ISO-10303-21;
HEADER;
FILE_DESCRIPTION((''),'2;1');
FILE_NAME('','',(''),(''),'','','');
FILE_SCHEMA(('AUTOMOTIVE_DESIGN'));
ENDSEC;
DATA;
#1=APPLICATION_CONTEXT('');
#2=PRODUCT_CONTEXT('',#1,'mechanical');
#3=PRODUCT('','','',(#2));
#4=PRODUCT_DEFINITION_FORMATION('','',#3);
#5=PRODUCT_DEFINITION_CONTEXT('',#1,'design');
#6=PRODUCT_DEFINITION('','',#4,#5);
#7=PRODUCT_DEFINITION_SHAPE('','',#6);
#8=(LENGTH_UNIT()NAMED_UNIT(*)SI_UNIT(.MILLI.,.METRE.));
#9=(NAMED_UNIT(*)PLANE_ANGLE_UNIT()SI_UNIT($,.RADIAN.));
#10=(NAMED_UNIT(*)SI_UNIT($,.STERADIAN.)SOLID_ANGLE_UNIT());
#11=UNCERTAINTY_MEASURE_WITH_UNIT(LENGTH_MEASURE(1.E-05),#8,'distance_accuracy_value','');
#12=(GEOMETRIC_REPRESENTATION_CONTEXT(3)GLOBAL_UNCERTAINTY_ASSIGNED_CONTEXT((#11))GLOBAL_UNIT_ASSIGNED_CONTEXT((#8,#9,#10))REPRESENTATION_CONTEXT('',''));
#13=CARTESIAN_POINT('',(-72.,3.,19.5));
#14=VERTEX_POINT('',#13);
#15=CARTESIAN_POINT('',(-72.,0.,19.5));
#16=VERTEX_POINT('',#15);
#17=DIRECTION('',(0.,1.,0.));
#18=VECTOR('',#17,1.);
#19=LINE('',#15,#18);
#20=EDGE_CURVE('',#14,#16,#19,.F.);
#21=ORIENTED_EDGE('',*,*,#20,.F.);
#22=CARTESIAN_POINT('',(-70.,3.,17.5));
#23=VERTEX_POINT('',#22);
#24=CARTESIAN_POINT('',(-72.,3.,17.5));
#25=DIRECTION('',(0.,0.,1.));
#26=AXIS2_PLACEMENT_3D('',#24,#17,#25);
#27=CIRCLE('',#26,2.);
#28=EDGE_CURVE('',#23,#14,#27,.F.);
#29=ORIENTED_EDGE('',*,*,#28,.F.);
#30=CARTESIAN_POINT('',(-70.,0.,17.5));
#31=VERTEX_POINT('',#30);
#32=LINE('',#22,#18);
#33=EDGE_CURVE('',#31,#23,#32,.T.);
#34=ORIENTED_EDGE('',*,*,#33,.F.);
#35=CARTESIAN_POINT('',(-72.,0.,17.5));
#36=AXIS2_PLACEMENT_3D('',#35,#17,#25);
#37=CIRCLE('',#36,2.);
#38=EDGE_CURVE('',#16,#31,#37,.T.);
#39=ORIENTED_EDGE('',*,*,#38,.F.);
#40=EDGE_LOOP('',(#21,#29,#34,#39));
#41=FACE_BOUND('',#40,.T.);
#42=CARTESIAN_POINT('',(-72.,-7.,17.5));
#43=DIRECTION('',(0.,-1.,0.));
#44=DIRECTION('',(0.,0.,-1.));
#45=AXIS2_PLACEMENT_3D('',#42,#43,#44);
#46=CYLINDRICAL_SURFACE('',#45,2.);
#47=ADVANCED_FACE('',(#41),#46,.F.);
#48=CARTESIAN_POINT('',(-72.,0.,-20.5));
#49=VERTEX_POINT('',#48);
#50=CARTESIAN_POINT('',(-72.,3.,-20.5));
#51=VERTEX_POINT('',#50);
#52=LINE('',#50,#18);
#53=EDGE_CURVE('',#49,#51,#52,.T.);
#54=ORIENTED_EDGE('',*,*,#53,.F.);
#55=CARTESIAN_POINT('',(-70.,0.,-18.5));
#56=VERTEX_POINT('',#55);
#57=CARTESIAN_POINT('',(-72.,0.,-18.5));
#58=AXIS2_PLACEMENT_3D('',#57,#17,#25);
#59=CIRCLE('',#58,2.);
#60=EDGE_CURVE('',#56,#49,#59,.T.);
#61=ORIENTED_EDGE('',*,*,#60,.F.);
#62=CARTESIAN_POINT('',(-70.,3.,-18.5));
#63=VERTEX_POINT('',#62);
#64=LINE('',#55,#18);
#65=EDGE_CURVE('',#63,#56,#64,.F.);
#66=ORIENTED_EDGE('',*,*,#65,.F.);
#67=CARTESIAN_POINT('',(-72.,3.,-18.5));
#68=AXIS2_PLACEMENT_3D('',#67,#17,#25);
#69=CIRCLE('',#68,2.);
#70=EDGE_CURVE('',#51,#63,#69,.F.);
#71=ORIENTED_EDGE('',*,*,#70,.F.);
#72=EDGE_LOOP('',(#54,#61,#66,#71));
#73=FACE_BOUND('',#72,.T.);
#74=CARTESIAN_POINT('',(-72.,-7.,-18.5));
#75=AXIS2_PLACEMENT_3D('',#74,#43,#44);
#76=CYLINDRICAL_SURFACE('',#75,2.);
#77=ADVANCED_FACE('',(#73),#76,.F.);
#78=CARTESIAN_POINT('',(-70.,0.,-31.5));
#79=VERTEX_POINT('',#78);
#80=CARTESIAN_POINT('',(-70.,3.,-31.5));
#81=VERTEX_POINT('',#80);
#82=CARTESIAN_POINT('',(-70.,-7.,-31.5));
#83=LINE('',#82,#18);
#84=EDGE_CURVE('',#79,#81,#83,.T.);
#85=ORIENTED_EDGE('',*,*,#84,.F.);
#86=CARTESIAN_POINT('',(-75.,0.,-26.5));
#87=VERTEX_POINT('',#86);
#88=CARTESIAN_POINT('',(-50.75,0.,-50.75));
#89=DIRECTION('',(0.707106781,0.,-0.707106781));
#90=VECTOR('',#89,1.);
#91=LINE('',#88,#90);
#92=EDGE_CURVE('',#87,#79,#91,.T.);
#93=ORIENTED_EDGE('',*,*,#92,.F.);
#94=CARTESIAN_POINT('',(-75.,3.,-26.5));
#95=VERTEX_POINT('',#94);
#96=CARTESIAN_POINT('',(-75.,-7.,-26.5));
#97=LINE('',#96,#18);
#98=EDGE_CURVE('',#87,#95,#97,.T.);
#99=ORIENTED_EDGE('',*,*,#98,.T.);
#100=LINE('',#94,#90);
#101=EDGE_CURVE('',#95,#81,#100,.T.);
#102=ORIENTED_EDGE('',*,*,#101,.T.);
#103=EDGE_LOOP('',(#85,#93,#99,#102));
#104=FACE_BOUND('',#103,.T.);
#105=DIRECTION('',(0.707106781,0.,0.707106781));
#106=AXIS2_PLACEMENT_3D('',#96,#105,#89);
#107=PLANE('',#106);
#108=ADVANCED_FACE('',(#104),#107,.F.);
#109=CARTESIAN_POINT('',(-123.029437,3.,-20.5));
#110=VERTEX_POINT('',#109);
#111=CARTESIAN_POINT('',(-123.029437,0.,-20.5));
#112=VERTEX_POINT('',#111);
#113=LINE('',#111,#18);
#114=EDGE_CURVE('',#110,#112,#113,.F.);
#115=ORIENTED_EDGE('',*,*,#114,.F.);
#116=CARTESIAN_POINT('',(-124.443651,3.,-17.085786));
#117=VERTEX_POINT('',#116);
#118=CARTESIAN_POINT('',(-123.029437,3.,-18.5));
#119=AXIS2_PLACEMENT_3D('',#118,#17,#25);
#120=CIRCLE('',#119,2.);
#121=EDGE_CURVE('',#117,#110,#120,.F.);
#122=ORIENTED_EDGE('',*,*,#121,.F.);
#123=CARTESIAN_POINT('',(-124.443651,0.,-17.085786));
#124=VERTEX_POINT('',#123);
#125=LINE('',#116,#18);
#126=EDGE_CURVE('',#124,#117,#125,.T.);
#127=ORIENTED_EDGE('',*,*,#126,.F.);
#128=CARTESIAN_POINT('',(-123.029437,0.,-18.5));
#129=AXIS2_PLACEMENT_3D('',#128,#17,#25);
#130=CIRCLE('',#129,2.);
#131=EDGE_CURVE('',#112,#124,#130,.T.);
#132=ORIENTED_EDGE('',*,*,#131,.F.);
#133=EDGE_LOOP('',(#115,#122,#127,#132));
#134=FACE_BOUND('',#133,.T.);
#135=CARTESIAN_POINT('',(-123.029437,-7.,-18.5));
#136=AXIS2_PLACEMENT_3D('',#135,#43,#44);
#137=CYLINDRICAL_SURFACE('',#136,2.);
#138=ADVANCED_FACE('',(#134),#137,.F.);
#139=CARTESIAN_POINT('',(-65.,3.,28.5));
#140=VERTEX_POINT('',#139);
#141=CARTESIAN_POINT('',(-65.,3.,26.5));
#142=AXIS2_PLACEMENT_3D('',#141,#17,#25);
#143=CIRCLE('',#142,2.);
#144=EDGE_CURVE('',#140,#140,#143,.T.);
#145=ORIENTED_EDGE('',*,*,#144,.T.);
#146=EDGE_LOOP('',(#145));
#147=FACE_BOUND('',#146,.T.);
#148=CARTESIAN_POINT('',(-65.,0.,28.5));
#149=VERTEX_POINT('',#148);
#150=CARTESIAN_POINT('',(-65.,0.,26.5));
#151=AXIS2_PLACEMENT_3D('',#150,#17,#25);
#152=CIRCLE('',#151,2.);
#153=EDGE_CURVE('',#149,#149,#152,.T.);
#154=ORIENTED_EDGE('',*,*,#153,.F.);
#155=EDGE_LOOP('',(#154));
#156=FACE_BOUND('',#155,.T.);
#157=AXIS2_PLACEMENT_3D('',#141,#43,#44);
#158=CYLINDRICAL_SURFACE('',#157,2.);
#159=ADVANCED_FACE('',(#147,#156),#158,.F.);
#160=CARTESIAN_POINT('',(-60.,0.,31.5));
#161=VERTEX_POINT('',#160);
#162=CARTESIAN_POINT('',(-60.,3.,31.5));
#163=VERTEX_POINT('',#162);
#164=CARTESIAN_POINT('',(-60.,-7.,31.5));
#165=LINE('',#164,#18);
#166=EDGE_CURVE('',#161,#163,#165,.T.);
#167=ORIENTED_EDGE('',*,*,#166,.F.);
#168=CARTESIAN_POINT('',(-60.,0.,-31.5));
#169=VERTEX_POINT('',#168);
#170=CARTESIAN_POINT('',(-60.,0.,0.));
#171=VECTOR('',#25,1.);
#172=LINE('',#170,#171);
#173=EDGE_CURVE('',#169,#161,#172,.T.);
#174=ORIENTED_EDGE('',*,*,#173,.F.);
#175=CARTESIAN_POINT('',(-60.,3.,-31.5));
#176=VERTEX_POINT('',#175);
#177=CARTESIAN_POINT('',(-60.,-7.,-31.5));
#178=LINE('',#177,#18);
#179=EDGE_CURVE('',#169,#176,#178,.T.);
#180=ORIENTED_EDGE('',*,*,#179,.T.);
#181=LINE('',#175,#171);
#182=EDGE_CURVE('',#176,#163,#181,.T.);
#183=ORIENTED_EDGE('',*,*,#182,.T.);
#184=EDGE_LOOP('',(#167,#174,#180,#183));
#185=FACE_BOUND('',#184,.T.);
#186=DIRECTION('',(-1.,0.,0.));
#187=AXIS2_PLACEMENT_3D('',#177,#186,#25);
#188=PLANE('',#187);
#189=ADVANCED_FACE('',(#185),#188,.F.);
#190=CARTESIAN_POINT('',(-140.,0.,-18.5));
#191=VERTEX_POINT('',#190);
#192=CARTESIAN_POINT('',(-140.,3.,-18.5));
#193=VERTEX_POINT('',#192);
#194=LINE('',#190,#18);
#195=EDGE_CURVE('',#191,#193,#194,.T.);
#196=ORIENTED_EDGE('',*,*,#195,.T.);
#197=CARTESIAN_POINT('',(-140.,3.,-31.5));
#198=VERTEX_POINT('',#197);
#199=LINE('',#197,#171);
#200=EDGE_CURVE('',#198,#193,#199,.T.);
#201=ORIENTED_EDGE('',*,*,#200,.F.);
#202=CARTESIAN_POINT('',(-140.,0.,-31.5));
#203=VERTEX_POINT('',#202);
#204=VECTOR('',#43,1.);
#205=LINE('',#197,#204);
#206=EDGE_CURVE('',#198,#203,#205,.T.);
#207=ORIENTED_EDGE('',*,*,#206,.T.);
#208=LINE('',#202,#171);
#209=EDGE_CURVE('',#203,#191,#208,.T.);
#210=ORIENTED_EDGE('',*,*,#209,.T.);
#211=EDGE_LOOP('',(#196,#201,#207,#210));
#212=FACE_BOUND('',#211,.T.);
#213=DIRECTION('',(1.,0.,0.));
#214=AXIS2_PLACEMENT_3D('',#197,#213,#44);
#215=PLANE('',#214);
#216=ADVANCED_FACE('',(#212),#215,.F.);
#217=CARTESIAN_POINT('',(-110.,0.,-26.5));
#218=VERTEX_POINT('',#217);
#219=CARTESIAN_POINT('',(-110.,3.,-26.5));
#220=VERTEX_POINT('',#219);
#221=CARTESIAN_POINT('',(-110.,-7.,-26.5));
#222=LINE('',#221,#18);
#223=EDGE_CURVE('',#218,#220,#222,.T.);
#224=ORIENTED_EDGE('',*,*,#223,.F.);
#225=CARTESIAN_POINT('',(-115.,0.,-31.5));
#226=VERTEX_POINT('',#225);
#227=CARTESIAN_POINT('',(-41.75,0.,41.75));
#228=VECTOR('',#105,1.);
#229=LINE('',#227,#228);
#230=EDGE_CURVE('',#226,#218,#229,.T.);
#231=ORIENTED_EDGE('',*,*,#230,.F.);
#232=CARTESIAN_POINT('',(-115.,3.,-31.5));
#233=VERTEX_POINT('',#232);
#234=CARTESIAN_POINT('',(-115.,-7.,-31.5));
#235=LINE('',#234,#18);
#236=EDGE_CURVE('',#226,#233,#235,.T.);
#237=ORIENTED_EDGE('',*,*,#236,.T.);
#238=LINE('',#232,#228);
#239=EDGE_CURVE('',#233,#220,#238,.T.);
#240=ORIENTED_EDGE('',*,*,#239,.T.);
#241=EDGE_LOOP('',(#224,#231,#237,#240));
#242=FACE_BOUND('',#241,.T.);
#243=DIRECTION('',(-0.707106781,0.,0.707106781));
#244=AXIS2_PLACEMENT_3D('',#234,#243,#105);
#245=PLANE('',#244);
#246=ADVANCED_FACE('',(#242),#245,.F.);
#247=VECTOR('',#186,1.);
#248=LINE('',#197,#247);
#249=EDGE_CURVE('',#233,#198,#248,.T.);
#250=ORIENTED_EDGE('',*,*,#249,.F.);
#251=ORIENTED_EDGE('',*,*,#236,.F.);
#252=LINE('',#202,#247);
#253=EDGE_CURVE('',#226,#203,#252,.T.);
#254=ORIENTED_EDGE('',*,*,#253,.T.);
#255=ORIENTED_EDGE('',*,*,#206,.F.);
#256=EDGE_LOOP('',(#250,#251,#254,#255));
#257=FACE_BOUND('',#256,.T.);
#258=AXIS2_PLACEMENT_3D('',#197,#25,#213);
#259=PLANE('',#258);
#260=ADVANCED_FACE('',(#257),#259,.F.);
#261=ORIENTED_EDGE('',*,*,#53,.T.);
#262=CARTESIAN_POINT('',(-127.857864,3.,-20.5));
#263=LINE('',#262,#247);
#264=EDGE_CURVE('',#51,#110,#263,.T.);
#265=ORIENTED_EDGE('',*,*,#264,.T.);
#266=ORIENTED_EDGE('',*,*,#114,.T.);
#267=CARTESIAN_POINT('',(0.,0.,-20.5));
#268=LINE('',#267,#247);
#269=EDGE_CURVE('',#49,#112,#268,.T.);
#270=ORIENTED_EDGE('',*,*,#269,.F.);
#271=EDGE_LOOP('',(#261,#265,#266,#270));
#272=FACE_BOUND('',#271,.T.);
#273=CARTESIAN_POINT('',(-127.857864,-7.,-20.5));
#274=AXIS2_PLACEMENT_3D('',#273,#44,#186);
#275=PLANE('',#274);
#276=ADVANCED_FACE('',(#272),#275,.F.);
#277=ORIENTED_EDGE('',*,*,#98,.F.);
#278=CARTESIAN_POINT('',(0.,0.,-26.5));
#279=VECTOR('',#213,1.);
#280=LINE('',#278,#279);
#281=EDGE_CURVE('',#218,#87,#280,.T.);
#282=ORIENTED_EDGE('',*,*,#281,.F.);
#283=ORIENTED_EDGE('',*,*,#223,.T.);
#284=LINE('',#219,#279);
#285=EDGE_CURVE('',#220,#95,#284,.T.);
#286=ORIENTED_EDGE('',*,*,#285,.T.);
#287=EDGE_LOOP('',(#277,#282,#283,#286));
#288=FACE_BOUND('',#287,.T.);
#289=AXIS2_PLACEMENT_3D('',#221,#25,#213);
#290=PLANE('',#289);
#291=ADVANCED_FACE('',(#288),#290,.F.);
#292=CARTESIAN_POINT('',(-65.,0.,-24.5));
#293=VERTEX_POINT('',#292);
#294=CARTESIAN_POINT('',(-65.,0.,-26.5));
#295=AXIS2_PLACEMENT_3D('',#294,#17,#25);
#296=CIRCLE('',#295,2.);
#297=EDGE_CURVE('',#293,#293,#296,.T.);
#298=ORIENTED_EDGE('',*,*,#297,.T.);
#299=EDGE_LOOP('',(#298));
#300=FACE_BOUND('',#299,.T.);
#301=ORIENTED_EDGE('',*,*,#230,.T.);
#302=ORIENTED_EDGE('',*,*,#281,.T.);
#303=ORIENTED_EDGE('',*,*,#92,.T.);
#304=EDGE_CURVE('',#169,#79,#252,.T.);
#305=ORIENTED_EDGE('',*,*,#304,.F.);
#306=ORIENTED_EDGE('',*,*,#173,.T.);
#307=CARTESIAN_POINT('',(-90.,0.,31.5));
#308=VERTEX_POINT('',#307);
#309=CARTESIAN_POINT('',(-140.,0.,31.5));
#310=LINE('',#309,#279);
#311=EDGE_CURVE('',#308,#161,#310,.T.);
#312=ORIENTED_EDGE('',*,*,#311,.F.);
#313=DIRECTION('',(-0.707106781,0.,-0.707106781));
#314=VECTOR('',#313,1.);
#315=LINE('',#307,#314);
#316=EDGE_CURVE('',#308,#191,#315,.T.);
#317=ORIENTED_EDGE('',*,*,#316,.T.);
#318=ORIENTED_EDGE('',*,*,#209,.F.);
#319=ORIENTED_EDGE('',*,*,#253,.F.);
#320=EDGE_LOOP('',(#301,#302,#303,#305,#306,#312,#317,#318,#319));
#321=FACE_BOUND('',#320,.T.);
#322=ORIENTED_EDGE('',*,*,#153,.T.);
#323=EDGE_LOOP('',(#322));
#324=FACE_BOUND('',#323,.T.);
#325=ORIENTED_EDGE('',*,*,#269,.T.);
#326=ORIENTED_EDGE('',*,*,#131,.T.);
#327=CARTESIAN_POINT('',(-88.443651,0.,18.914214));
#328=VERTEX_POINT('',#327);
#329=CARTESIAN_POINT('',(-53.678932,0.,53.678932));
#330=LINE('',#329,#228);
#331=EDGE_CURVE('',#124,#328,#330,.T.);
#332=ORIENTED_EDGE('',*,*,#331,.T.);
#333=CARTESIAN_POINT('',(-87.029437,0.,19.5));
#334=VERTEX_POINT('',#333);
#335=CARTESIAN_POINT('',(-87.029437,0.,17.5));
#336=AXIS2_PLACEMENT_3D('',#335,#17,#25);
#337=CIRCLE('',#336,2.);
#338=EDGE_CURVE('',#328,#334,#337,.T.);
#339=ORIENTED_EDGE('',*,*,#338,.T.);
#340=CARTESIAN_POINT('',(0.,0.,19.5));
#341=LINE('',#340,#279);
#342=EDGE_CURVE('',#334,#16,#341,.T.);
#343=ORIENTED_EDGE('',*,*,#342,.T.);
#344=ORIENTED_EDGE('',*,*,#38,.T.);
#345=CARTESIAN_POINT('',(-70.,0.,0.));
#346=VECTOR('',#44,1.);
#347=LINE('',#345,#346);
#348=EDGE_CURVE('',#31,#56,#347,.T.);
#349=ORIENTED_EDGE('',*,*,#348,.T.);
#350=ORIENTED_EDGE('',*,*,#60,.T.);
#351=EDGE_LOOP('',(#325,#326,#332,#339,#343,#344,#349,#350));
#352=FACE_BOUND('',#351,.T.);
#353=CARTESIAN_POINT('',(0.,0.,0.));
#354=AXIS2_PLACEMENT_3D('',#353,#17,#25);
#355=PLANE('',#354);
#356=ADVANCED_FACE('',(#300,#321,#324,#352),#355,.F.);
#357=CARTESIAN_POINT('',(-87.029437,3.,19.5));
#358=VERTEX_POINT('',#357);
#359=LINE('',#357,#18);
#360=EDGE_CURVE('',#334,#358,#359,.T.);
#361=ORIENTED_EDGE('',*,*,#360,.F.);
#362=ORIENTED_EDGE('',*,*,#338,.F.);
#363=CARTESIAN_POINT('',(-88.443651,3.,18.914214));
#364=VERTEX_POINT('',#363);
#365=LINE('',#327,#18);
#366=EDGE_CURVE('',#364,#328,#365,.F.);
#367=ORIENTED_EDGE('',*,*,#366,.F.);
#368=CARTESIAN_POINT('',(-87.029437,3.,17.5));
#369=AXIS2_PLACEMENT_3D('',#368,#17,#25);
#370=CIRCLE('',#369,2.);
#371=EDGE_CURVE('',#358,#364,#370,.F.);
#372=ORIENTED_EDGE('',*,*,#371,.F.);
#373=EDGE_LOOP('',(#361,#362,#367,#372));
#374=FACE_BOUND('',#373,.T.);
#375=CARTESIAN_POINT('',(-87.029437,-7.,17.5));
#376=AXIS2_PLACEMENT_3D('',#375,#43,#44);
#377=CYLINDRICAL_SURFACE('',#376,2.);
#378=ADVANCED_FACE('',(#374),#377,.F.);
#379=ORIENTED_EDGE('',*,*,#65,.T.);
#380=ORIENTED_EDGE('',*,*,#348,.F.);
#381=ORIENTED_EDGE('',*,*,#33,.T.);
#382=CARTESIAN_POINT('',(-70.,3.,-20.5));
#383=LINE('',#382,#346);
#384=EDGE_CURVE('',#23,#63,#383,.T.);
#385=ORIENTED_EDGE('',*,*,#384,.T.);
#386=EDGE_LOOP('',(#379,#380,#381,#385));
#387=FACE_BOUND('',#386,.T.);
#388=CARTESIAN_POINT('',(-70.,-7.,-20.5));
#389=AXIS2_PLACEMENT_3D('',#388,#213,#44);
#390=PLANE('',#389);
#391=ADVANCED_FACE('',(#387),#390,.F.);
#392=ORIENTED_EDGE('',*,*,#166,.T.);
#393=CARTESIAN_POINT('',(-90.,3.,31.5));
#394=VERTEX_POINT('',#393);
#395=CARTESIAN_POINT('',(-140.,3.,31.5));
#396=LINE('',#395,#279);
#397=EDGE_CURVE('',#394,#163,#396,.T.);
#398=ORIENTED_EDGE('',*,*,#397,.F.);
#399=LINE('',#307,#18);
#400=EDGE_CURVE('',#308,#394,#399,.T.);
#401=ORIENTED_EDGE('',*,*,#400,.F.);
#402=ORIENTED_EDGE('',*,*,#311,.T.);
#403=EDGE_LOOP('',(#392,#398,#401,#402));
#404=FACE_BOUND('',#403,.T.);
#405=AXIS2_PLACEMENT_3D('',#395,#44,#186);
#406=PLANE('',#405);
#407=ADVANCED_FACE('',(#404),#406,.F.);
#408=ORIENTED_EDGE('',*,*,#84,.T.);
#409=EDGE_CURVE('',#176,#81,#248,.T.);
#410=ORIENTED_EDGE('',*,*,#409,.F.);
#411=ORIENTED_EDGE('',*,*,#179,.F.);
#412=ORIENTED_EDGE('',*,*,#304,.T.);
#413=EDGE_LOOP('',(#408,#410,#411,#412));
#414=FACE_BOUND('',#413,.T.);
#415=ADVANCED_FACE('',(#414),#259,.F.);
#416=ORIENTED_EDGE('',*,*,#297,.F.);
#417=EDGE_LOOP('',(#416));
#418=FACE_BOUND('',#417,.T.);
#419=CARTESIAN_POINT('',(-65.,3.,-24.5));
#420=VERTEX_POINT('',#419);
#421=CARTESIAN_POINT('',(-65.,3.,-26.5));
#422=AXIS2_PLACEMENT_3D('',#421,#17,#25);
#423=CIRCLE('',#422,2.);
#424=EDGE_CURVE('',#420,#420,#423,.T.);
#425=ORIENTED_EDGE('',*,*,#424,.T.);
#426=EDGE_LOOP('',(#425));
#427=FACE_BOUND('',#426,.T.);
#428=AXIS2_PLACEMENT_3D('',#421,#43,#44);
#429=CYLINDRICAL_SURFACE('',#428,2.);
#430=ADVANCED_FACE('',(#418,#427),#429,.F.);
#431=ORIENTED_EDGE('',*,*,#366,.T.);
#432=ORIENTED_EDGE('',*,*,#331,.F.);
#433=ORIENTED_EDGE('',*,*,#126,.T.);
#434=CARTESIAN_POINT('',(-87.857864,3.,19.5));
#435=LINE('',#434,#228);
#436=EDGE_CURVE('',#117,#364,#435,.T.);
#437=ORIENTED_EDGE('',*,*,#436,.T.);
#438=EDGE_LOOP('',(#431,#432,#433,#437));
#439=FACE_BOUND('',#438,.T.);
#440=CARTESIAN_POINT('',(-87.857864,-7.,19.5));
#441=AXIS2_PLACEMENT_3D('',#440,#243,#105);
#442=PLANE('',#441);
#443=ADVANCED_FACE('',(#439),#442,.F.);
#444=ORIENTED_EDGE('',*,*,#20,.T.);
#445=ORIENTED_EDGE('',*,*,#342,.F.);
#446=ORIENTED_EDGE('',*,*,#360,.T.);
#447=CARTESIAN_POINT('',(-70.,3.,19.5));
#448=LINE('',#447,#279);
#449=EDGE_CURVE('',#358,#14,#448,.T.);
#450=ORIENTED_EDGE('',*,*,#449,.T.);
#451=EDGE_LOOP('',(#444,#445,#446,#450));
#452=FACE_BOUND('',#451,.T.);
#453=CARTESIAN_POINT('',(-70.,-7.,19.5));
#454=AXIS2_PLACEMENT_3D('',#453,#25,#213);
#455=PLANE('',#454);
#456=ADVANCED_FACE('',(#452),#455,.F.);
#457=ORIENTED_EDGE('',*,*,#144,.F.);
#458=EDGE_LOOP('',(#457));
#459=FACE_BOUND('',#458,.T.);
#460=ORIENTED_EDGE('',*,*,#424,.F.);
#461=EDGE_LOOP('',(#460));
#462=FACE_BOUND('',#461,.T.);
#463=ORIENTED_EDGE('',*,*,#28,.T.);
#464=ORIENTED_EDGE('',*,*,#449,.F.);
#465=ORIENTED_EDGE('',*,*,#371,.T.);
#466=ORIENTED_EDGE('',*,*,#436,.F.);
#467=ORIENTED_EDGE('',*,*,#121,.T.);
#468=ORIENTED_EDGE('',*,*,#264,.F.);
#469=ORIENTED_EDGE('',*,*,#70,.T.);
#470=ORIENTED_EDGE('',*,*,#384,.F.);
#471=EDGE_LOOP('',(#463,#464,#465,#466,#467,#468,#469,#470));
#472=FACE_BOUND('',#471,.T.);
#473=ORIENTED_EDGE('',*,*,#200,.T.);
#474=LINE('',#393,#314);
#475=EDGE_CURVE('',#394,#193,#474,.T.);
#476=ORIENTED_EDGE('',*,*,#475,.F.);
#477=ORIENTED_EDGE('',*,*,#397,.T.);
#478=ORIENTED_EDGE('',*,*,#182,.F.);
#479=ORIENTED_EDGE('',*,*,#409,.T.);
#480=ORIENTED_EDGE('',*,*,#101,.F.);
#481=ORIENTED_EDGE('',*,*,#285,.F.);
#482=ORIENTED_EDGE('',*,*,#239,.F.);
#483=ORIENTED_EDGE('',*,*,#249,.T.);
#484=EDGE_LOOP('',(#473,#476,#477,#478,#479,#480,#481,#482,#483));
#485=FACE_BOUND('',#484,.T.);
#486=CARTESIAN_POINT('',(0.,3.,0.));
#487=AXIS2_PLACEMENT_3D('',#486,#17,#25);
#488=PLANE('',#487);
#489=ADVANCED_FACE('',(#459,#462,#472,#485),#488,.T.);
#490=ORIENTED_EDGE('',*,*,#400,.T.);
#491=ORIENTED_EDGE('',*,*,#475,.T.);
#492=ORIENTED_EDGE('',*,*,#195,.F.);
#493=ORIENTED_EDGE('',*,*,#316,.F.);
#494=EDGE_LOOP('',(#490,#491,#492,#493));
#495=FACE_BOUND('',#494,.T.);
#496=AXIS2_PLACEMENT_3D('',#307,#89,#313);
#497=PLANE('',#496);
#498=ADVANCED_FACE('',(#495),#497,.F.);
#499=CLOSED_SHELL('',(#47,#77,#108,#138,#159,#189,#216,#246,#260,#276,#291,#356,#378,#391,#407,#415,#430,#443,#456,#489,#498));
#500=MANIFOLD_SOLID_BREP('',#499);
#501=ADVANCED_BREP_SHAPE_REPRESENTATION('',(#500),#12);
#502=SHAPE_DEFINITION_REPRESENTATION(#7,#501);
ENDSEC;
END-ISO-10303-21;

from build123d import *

# Parameters (mm, degrees)
SKETCH_1_W          = 280
SKETCH_1_H          = 63
SKETCH_1_R          = 2
EXTRUDE_1_DEPTH     = 3
CUT_EXTRUDE_1_DEPTH = 3
SKETCH_3_W          = 200
SKETCH_3_H          = 63
CUT_EXTRUDE_2_DEPTH = 10
CUT_EXTRUDE_3_DEPTH = 10
CUT_EXTRUDE_4_DEPTH = 10
FILLET_1_R          = 2


with BuildPart() as part:
    # 草图1 → 凸台-拉伸1 (new body)
    with BuildSketch(Plane(origin=(0, 0, 0), x_dir=(1, 0, 0), z_dir=(0, 1, 0))):
        Rectangle(SKETCH_1_W, SKETCH_1_H)
        with Locations(Location((-65, 26.5, 0), (0, 0, 270))):
            Circle(SKETCH_1_R, mode=Mode.SUBTRACT)
        with Locations(Location((-65, -26.5, 0), (0, 0, 270))):
            Circle(SKETCH_1_R, mode=Mode.SUBTRACT)
        with Locations(Location((65, -26.5, 0), (0, 0, 90))):
            Circle(SKETCH_1_R, mode=Mode.SUBTRACT)
        with Locations(Location((65, 26.5, 0), (0, 0, 90))):
            Circle(SKETCH_1_R, mode=Mode.SUBTRACT)
    extrude(amount=EXTRUDE_1_DEPTH)

    # 草图2 → 切除-拉伸1 (cut)
    with BuildSketch(Plane(origin=(0, 3, 0), x_dir=(1, 0, 0), z_dir=(0, 1, 0))):
        Polygon((-140, 18.5), (-140, -31.5), (-90, -31.5), align=None)
        Polygon((90, -31.5), (140, 18.5), (140, -31.5), align=None)
    extrude(amount=-CUT_EXTRUDE_1_DEPTH, mode=Mode.SUBTRACT)

    # 草图3 → 切除-拉伸2 (cut)
    with BuildSketch(Plane(origin=(0, 3, 0), x_dir=(1, 0, 0), z_dir=(0, 1, 0))):
        with Locations((40, 0)):
            Rectangle(SKETCH_3_W, SKETCH_3_H)
    extrude(amount=-CUT_EXTRUDE_2_DEPTH, mode=Mode.SUBTRACT)

    # 草图4 → 切除-拉伸3 (cut)
    with BuildSketch(Plane(origin=(0, 3, 0), x_dir=(1, 0, 0), z_dir=(0, 1, 0))):
        Polygon((-115, 31.5), (-110, 26.5), (-75, 26.5), (-70, 31.5), align=None)
    extrude(amount=-CUT_EXTRUDE_3_DEPTH, mode=Mode.SUBTRACT)

    # 草图5 → 切除-拉伸4 (cut)
    with BuildSketch(Plane(origin=(0, 3, 0), x_dir=(1, 0, 0), z_dir=(0, 1, 0))):
        Polygon((-127.857864376, 20.5), (-70, 20.5), (-70, -19.5), (-87.857864376, -19.5), align=None)
    extrude(amount=-CUT_EXTRUDE_4_DEPTH, mode=Mode.SUBTRACT)

    # 圆角1
    fillet_1_edges = [part.edges().sort_by_distance(p)[0] for p in [
        (-70, 1.5, -20.5),
        (-70, 1.5, 19.5),
        (-87.857864376, 1.5, 19.5),
        (-127.857864376, 1.5, -20.5),
    ]]
    fillet(fillet_1_edges, radius=FILLET_1_R)


solid = part.part
